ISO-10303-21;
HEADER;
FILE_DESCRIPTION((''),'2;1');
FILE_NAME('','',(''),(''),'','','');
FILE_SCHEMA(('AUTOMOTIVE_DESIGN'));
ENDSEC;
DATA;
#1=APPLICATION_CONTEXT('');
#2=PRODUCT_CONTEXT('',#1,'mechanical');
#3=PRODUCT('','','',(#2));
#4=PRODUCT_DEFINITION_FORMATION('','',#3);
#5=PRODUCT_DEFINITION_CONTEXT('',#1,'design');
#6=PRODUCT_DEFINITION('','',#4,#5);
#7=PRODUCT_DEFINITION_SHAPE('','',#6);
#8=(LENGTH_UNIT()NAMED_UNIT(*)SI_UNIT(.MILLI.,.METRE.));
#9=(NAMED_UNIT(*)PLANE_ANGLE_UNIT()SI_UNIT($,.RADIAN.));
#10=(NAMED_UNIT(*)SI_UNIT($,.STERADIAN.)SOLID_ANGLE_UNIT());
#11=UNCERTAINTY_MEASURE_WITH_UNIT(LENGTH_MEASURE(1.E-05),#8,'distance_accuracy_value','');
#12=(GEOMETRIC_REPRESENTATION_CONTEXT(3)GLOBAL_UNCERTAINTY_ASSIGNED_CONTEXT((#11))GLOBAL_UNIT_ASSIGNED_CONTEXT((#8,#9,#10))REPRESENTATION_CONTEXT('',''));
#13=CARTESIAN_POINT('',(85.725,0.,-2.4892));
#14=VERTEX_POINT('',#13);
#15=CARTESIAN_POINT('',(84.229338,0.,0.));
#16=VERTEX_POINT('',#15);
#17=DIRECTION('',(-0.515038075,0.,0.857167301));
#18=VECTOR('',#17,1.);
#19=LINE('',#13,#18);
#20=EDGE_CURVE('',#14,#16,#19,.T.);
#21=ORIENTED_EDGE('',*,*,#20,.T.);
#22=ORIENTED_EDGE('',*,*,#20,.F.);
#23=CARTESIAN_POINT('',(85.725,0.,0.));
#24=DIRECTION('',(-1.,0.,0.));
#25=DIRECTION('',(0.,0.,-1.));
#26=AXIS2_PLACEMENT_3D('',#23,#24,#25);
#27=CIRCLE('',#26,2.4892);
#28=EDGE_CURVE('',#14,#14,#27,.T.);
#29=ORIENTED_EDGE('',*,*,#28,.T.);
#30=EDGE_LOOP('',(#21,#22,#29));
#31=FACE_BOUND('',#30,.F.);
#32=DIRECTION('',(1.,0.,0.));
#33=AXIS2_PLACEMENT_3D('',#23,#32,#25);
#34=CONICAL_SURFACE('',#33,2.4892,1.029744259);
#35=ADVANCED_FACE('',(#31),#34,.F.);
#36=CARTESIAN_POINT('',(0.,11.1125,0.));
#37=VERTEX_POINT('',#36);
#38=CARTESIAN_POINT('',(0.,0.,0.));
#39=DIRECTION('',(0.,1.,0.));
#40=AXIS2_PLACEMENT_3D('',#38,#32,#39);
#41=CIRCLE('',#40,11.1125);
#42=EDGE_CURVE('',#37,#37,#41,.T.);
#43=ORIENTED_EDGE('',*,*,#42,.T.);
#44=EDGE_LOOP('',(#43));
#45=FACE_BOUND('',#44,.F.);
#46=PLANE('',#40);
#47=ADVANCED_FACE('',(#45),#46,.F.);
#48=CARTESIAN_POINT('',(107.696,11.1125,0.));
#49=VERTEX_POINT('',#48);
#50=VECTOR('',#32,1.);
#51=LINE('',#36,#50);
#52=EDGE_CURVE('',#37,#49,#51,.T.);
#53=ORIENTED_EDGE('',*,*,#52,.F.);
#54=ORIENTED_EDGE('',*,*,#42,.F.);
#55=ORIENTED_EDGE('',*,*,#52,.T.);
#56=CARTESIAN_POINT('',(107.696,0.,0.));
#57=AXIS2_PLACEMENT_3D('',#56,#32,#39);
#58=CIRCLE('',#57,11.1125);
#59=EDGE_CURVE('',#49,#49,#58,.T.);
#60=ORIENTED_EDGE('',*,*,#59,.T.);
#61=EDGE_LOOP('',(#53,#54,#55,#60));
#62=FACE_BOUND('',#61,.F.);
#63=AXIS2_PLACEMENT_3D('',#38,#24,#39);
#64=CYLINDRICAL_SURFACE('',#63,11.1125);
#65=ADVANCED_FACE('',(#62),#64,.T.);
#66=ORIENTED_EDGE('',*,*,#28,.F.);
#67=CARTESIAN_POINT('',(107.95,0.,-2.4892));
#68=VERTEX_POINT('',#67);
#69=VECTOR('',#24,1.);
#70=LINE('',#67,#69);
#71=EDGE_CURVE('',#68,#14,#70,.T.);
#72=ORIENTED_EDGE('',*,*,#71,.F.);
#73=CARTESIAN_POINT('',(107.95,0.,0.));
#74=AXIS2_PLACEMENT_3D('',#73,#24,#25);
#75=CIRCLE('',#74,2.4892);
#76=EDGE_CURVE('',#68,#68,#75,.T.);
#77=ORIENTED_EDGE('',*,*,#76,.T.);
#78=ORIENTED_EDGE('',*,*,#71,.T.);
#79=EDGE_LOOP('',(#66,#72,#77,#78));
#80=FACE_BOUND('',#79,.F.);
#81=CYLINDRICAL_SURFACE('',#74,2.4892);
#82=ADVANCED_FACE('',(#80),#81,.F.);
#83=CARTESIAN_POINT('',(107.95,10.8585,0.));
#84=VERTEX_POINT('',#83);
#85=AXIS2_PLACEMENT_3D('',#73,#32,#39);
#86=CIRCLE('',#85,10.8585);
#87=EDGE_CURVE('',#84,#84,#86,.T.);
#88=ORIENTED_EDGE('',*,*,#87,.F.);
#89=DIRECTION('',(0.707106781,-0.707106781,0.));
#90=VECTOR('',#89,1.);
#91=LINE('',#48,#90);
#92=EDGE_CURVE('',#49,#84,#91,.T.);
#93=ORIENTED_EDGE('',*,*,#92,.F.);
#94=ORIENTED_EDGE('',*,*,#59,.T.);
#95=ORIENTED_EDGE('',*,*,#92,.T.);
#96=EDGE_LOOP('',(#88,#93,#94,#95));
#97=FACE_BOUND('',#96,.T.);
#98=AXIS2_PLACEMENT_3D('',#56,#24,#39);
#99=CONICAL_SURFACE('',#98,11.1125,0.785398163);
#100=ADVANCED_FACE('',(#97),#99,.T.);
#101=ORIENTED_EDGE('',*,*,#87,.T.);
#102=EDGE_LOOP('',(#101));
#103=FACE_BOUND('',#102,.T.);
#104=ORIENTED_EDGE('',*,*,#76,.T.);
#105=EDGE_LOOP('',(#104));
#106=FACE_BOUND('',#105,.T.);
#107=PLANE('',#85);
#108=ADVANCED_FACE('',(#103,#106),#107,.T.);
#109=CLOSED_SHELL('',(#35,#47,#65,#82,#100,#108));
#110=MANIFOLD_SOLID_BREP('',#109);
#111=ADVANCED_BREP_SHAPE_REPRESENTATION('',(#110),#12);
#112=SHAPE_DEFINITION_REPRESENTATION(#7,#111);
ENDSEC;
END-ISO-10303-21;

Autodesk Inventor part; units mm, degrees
ref_plane "YZ Plane" through (0, 0, 0) normal (1, 0, 0) x (0, 1, 0)
ref_plane "XZ Plane" through (0, 0, 0) normal (0, 1, 0) x (-1, 0, 0)
ref_plane "XY Plane" through (0, 0, 0) normal (0, 0, 1) x (1, 0, 0)
sketch "Sketch1" plane through (0, 0, 0) normal (1, 0, 0) x (0, 1, 0)
  circle A0 centre (0, 0) radius 11.1125
  dimension "d0" = 22.225
extrude "Extrusion1" add sketch "Sketch1" along normal blind 107.95
chamfer "Chamfer1" distance 0.254 angle 45 1 edges at (107.95, -11.1125, 0)
sketch "Sketch2" plane through (107.95, 0, 0) normal (1, 0, 0) x (0, 0, -1)
  circle A0 centre (0, 0) radius 11.1125 projected
hole "Hole1" at (107.95, 0, 0) direction (-1, 0, 0) diameter 4.9784 depth 22.225 tip angle 118 thread size "1/4-20 UNC" class "2B" standard "ANSI Unified Screw Threads"
properties material "Aluminum 6061"
